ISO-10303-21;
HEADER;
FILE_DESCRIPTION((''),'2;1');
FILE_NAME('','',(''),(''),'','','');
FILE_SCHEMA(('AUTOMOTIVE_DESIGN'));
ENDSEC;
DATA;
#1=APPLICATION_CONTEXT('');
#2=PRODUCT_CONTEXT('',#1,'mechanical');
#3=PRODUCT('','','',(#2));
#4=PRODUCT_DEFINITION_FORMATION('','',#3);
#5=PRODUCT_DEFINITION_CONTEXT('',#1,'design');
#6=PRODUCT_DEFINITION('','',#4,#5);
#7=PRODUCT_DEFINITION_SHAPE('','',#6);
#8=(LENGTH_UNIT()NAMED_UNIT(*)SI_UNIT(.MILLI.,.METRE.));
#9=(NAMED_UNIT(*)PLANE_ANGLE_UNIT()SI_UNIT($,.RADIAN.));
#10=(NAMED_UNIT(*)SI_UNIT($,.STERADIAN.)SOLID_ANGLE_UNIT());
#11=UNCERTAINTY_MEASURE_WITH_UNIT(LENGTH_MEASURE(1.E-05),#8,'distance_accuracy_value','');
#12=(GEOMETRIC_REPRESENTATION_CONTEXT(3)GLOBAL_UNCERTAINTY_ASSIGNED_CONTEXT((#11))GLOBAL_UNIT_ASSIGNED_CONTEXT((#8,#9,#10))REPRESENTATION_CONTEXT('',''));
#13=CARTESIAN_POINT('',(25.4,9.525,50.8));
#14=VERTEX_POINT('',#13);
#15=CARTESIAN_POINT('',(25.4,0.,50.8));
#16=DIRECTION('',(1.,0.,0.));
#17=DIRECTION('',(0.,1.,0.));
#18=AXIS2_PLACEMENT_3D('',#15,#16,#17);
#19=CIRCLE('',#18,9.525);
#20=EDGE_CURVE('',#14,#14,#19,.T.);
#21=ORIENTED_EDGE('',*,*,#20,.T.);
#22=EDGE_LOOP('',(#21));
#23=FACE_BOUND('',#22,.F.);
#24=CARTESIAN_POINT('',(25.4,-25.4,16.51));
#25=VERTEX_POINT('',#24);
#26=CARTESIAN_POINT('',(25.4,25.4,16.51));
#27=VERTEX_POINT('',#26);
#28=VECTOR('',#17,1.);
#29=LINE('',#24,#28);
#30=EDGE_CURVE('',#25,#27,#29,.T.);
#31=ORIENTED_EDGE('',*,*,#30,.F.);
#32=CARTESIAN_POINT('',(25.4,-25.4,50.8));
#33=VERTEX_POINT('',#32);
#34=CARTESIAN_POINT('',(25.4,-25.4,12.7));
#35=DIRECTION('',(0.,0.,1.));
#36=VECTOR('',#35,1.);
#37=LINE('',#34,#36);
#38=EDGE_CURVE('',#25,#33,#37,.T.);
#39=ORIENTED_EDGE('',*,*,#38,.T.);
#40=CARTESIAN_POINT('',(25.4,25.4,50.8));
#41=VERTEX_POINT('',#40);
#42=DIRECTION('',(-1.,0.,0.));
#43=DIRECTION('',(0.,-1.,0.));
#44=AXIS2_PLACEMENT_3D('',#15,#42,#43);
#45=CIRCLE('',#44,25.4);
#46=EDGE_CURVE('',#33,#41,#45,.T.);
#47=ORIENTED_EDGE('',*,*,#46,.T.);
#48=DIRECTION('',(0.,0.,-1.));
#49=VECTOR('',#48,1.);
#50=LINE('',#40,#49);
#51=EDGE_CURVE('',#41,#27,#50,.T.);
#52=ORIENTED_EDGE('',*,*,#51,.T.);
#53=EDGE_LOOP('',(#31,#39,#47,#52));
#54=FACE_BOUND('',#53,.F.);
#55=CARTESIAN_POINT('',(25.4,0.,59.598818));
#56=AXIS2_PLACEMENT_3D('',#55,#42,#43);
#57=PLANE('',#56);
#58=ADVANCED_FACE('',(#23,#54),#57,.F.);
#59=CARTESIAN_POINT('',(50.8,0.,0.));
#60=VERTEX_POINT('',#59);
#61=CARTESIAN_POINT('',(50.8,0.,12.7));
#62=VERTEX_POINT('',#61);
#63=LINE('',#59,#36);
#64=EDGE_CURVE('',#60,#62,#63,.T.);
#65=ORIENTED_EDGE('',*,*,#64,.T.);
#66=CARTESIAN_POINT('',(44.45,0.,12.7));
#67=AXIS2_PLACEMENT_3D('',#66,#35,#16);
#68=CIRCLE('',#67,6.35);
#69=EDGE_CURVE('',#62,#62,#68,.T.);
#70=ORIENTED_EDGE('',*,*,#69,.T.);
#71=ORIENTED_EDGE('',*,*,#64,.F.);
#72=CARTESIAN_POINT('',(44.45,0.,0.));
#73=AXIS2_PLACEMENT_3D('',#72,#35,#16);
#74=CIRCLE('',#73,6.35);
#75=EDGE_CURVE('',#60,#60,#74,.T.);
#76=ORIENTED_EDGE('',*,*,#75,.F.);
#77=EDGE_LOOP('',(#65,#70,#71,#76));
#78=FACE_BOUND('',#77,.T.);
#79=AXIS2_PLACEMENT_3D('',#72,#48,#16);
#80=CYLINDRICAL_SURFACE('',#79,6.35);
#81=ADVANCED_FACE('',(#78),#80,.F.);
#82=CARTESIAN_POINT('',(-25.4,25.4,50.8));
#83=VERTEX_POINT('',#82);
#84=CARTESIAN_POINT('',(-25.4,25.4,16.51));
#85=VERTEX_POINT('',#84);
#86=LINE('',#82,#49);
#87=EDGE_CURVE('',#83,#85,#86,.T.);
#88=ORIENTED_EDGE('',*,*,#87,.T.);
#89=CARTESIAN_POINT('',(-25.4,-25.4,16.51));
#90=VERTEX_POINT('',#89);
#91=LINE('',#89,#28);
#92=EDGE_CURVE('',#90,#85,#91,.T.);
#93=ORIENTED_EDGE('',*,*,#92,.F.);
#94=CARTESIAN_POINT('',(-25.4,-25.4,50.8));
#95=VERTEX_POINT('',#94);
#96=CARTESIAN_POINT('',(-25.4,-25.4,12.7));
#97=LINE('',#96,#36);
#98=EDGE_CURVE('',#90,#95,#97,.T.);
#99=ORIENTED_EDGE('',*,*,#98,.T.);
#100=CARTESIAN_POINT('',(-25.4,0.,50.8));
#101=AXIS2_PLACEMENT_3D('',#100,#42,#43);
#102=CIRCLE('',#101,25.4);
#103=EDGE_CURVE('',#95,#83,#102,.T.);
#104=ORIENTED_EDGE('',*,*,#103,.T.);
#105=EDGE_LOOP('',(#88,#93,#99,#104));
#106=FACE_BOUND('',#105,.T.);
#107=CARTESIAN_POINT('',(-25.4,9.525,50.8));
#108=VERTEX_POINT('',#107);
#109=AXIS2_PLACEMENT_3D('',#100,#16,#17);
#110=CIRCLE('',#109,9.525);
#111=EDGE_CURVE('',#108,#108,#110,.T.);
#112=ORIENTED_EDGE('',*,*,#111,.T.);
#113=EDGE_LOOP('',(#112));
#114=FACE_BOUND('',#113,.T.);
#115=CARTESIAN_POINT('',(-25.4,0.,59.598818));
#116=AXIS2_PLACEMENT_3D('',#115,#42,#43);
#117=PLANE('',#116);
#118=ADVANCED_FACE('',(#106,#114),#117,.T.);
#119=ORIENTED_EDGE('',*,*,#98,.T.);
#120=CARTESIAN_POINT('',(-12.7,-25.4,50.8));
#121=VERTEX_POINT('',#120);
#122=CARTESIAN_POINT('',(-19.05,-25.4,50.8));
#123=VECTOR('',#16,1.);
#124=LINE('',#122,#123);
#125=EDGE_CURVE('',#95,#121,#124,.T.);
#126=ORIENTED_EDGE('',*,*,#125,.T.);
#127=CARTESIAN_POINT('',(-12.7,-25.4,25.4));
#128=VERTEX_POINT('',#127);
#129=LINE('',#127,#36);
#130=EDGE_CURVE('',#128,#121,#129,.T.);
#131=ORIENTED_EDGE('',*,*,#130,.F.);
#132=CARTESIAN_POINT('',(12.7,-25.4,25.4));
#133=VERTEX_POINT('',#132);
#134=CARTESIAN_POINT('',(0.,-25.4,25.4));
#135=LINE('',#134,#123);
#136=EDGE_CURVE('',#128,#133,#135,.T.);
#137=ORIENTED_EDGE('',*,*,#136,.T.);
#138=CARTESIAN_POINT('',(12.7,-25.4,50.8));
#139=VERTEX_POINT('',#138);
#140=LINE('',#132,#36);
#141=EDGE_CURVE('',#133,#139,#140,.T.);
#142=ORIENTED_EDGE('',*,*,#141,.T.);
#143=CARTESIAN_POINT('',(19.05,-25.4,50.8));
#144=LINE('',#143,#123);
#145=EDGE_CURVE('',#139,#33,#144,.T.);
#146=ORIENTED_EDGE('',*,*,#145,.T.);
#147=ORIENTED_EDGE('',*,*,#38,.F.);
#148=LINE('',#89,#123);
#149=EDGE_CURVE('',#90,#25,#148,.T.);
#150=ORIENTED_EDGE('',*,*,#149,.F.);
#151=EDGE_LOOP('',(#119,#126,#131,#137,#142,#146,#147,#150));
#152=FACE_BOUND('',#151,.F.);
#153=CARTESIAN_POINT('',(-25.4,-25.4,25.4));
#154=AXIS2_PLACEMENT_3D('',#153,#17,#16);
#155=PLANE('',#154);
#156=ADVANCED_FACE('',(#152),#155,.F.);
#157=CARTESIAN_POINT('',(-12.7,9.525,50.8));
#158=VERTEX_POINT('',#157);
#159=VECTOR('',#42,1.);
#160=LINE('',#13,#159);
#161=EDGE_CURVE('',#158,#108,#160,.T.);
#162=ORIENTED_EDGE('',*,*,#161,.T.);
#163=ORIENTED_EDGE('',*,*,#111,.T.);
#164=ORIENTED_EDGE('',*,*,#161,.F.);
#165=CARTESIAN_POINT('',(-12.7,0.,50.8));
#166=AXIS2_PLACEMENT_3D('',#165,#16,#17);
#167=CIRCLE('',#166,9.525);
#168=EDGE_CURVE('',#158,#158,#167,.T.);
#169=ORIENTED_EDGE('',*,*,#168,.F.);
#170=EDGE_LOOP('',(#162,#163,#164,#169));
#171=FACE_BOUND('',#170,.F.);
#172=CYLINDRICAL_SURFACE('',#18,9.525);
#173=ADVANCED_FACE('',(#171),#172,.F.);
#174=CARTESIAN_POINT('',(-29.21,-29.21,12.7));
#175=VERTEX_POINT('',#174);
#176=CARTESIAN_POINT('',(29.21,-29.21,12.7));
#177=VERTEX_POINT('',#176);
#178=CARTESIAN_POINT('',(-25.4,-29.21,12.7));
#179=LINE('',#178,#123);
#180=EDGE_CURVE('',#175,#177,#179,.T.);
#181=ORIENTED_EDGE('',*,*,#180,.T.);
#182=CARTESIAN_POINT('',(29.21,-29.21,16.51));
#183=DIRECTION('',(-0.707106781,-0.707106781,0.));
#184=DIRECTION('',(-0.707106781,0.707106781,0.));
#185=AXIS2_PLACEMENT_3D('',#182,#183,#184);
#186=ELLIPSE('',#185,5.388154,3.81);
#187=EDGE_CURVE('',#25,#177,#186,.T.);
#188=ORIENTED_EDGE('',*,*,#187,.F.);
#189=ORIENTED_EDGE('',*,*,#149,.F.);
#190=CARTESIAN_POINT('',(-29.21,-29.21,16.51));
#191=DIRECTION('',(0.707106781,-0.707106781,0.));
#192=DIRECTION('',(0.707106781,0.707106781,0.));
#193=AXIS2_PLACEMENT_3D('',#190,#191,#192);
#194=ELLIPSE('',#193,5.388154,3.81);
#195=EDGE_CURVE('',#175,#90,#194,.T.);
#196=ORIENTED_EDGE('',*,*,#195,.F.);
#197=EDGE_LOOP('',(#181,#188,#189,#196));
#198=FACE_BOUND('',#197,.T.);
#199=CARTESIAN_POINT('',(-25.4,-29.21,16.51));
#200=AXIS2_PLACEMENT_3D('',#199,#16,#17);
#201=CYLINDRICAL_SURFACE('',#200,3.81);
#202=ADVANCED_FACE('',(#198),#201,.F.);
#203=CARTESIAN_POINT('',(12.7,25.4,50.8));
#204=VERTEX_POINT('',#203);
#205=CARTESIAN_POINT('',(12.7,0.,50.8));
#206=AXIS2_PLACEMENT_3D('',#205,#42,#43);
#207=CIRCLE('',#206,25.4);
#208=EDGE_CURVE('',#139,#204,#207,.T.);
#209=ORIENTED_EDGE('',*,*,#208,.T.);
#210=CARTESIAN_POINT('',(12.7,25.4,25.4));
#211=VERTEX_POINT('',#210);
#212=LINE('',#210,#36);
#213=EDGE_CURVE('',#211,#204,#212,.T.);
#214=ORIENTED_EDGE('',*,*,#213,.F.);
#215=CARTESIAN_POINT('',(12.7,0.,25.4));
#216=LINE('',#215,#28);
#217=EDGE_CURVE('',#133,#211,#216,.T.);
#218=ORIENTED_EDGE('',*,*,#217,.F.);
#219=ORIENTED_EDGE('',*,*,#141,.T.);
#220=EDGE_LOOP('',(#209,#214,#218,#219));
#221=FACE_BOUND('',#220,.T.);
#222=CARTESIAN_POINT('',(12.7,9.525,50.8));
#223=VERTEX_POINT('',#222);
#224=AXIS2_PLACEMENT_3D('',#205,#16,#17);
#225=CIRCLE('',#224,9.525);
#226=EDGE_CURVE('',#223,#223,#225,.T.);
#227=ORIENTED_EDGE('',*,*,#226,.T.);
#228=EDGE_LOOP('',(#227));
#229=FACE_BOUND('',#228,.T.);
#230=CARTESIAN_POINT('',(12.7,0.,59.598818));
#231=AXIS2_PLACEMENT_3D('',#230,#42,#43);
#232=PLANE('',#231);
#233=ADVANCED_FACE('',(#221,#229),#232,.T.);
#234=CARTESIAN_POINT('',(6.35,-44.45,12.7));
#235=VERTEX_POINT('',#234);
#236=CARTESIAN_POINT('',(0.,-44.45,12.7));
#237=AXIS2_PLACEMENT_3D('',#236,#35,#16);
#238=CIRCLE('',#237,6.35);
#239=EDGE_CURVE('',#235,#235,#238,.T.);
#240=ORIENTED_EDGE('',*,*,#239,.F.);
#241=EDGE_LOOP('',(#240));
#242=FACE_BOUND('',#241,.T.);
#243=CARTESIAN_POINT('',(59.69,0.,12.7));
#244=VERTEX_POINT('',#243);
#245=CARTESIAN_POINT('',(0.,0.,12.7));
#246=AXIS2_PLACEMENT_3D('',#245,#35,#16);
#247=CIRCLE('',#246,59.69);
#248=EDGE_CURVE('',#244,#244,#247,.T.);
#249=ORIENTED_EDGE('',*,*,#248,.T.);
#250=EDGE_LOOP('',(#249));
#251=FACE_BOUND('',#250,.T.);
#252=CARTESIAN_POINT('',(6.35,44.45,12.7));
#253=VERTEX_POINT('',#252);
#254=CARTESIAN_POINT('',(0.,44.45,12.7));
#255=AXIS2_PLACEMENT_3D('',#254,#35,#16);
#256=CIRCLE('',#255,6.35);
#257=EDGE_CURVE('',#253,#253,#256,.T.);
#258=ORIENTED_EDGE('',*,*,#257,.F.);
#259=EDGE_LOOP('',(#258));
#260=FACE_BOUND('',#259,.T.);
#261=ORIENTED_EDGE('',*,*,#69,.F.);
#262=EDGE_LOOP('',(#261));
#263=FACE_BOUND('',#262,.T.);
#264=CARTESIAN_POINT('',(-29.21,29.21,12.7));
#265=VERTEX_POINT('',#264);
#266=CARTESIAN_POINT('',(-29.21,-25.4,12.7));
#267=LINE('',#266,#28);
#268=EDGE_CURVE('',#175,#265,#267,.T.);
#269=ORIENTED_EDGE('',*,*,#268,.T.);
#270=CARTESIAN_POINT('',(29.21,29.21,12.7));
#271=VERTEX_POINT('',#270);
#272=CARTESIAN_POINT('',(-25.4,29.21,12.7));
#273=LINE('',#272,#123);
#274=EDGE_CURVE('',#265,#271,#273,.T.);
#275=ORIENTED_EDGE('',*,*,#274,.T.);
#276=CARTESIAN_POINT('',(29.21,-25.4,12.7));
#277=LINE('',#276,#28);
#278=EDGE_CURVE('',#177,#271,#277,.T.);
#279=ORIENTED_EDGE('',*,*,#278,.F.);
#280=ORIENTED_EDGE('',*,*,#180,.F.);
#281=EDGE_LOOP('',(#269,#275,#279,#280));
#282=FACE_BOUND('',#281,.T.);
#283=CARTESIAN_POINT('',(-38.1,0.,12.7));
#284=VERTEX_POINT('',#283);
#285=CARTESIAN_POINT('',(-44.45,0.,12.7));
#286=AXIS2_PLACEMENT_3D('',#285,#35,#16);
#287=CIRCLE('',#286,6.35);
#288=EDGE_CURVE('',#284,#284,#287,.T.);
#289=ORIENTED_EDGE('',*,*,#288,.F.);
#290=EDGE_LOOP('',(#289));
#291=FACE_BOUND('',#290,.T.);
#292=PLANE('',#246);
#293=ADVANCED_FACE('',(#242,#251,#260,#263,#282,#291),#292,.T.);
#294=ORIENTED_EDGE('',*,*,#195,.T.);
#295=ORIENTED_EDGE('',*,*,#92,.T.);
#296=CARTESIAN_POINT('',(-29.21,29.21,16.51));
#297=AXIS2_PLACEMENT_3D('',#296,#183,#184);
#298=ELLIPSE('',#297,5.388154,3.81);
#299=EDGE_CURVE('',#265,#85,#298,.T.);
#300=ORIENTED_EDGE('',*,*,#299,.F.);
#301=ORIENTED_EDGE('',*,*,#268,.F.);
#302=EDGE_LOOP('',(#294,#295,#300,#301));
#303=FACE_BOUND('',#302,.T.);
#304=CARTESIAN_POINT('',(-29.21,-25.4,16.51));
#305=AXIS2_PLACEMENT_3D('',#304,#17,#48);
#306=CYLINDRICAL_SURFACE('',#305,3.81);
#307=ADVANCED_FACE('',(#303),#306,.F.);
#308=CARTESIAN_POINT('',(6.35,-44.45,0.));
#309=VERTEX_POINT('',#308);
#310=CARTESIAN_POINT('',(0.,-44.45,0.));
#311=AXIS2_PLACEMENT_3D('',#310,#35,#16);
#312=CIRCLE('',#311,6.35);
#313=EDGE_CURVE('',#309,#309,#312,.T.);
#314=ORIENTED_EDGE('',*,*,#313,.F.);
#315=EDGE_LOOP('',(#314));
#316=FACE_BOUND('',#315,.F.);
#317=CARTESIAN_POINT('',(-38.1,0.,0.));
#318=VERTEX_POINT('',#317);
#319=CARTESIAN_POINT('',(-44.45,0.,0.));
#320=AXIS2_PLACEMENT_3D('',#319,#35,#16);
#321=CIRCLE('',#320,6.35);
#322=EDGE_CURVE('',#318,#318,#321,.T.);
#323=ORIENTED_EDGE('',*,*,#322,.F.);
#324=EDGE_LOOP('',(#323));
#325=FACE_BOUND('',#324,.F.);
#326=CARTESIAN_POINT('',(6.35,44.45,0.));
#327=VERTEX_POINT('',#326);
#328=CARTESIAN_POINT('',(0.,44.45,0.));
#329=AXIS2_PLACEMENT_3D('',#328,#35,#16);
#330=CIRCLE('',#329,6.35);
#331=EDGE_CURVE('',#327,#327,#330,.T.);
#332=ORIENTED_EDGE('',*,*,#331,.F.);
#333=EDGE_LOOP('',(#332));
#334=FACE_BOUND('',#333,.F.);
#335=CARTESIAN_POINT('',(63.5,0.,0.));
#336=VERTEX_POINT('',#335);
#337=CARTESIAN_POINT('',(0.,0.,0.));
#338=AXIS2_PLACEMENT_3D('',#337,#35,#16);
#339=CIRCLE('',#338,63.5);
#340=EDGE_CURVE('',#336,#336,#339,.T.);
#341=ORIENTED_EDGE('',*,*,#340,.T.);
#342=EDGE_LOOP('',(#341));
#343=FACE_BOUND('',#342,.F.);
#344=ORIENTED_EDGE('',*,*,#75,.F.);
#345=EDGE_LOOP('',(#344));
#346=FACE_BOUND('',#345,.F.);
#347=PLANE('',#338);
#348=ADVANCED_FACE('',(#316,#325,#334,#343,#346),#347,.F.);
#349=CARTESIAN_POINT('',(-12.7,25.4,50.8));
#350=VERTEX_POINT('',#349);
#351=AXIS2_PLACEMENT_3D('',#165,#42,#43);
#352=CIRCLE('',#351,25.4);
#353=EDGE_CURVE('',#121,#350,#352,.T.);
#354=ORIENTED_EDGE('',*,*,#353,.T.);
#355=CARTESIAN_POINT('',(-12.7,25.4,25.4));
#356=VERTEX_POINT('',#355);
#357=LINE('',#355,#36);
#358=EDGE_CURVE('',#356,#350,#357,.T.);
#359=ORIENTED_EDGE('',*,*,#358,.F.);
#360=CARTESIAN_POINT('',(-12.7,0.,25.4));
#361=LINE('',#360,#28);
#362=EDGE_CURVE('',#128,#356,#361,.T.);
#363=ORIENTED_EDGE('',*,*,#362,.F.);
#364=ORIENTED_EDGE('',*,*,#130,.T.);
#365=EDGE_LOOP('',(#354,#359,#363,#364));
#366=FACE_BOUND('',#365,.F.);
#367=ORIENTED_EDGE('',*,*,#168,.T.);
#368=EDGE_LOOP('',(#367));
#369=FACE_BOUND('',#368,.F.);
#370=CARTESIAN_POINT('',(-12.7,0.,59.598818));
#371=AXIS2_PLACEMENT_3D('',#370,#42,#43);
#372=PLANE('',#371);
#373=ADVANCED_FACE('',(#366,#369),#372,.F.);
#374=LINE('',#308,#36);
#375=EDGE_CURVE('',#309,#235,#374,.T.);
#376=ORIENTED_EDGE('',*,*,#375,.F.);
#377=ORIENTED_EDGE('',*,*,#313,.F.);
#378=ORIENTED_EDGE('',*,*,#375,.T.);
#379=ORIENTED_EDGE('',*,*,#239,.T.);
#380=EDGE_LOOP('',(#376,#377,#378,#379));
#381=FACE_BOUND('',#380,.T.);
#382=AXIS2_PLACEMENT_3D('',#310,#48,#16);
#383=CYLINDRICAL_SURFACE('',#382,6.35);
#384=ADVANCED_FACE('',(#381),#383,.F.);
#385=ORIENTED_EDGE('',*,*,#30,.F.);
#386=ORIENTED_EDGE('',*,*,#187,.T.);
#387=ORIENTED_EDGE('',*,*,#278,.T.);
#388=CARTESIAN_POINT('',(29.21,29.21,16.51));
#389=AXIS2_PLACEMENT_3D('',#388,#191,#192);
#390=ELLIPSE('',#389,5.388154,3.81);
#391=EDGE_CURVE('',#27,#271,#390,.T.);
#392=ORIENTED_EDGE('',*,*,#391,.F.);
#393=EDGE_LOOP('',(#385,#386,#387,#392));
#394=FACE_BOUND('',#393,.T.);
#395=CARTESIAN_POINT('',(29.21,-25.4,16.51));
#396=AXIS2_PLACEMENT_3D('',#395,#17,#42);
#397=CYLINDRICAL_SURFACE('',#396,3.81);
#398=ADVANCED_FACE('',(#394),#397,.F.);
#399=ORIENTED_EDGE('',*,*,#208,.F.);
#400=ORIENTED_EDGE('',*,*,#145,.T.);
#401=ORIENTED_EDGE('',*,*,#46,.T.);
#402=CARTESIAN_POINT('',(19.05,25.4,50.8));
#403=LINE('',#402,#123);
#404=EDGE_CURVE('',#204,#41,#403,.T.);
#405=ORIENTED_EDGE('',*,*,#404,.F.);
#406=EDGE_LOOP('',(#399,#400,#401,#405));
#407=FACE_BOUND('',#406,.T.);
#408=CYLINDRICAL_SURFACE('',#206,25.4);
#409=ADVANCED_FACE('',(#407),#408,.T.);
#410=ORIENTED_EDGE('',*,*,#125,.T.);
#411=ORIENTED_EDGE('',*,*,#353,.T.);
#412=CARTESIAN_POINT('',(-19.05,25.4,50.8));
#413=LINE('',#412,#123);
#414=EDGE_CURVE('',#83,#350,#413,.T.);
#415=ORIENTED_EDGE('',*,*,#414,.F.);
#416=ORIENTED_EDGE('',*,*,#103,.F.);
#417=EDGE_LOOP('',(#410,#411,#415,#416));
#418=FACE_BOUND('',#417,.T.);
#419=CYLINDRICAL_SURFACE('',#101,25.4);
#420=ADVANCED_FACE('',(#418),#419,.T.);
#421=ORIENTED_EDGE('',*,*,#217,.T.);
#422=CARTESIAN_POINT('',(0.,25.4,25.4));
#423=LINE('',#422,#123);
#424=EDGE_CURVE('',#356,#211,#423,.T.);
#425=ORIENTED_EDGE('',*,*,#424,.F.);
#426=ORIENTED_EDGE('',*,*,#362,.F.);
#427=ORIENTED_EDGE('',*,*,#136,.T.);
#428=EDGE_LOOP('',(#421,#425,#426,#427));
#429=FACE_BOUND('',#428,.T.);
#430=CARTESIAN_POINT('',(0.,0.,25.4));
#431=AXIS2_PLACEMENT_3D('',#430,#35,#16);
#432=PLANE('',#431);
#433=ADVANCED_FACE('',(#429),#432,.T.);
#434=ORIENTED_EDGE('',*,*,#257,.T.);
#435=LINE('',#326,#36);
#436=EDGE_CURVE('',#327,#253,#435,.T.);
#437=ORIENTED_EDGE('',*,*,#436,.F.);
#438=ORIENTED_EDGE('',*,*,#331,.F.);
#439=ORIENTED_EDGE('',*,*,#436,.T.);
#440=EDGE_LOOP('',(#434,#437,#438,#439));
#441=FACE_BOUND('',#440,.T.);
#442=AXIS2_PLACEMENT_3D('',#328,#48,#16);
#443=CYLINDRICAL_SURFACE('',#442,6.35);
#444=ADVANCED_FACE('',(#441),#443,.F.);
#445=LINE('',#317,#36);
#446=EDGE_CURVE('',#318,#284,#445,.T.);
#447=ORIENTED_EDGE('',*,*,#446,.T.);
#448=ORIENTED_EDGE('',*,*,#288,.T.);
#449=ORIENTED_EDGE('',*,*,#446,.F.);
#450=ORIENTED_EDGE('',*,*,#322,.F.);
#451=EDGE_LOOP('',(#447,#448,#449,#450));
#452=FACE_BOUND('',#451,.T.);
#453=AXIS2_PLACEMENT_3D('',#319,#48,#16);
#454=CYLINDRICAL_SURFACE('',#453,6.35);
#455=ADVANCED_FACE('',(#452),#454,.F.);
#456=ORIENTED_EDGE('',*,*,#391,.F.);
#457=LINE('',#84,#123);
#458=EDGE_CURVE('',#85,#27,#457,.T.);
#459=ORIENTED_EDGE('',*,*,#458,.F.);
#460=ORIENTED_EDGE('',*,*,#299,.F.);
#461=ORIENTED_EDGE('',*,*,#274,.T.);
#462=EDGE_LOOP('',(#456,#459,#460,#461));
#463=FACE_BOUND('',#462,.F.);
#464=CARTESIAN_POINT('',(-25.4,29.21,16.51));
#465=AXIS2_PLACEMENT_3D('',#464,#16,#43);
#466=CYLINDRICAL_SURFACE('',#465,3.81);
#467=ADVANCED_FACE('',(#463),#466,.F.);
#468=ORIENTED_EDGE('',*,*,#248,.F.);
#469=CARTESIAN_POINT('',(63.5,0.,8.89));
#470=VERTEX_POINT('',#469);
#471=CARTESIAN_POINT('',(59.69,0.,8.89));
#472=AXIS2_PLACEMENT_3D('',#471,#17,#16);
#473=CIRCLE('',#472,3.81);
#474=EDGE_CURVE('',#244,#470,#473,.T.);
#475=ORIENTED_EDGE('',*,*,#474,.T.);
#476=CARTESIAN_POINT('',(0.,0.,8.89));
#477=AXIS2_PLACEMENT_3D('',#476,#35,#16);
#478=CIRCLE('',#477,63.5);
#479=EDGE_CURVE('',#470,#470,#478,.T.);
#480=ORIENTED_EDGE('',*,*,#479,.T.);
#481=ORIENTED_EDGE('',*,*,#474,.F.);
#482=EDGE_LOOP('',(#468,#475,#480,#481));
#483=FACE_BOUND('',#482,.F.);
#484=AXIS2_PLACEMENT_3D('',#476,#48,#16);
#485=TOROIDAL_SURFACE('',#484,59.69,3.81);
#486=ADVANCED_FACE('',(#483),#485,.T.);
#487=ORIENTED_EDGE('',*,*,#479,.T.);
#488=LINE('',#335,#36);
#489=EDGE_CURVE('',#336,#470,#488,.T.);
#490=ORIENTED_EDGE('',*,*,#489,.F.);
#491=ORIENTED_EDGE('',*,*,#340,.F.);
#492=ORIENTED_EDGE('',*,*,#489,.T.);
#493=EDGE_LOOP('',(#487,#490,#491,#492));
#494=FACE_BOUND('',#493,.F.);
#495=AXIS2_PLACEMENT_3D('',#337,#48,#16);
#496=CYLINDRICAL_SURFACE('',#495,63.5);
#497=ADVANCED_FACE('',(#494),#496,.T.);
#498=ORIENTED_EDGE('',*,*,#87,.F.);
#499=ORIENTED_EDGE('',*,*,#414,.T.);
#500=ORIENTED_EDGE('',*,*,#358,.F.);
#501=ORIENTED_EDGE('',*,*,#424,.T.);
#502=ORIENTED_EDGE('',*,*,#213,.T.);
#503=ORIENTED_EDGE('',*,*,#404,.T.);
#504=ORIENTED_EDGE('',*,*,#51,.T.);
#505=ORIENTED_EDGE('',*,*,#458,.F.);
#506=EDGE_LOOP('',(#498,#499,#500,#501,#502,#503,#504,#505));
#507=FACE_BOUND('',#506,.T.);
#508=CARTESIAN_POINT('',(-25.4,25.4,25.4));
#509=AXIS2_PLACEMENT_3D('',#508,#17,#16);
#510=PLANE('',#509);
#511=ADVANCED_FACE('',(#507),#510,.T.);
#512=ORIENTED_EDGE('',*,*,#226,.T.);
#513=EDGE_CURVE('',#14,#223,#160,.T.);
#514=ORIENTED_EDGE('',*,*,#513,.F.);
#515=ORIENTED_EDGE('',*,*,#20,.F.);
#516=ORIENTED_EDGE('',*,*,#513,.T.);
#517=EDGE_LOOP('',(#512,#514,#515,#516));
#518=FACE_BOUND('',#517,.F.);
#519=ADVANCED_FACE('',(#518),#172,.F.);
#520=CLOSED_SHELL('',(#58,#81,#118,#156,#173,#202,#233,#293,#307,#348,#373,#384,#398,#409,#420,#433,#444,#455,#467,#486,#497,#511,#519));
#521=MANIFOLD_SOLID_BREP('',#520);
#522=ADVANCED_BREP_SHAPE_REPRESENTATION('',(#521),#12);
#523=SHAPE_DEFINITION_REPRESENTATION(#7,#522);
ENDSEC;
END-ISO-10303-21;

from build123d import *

# Parameters (mm, degrees)
F0_R      = 63.5
F0_R_2    = 6.35
F1_DEPTH  = 12.7
F2_W      = 50.8
F2_H      = 50.8
F3_DEPTH  = 12.7
F4_W      = 12.7
F4_H      = 50.8
F5_DEPTH  = 25.4
F7_DEPTH  = 12.7
F10_DEPTH = 12.7
F8_R      = 9.525
F11_DEPTH = 88.901
F12_R     = 3.81


with BuildPart() as f1:
    # F0 (on Top) → F1 (new body)
    with BuildSketch(Plane.XY):
        Circle(F0_R)
        with Locations((0, -44.45)):
            Circle(F0_R_2, mode=Mode.SUBTRACT)
        with Locations((-44.45, 0)):
            Circle(F0_R_2, mode=Mode.SUBTRACT)
        with Locations((44.45, 0)):
            Circle(F0_R_2, mode=Mode.SUBTRACT)
        with Locations((0, 44.45)):
            Circle(F0_R_2, mode=Mode.SUBTRACT)
    extrude(amount=F1_DEPTH)

    # F2 (on face) → F3 (join)
    with BuildSketch(Plane.XY.offset(12.7)):
        Rectangle(F2_W, F2_H)
    extrude(amount=F3_DEPTH)

    # F4 (on face) → F5 (join)
    with BuildSketch(Plane.XY.offset(25.4)):
        with Locations((-19.05, 0)):
            Rectangle(F4_W, F4_H)
        with Locations((19.05, 0)):
            Rectangle(F4_W, F4_H)
    extrude(amount=F5_DEPTH)

    # F6 (on face) → F7 (join)
    with BuildSketch(Plane(origin=(-25.4, 0, 0), x_dir=(0, -1, 0), z_dir=(-1, 0, 0))):
        with BuildLine():
            Line((-25.4, 50.8), (25.4, 50.8))
            ThreePointArc((25.4, 50.8), (0, 76.2), (-25.4, 50.8))
        make_face()
    extrude(amount=-F7_DEPTH)

    # F9 (on face) → F10 (join)
    with BuildSketch(Plane(origin=(12.7, 0, 0), x_dir=(0, -1, 0), z_dir=(-1, 0, 0))):
        with BuildLine():
            Line((-25.4, 50.8), (25.4, 50.8))
            ThreePointArc((25.4, 50.8), (0, 76.2), (-25.4, 50.8))
        make_face()
    extrude(amount=-F10_DEPTH)

    # F8 (on face) → F11 (cut, through all)
    with BuildSketch(Plane.YZ.offset(25.4)):
        with Locations((0, 50.8)):
            Circle(F8_R)
    extrude(amount=-F11_DEPTH, mode=Mode.SUBTRACT)

    # F12
    f12_edges = [f1.edges().sort_by_distance(p)[0] for p in [
        (-63.5, 0, 12.7),
        (-25.4, 0, 12.7),
        (0, 25.4, 12.7),
        (25.4, 0, 12.7),
        (0, -25.4, 12.7),
    ]]
    fillet(f12_edges, radius=F12_R)


solid = f1.part
